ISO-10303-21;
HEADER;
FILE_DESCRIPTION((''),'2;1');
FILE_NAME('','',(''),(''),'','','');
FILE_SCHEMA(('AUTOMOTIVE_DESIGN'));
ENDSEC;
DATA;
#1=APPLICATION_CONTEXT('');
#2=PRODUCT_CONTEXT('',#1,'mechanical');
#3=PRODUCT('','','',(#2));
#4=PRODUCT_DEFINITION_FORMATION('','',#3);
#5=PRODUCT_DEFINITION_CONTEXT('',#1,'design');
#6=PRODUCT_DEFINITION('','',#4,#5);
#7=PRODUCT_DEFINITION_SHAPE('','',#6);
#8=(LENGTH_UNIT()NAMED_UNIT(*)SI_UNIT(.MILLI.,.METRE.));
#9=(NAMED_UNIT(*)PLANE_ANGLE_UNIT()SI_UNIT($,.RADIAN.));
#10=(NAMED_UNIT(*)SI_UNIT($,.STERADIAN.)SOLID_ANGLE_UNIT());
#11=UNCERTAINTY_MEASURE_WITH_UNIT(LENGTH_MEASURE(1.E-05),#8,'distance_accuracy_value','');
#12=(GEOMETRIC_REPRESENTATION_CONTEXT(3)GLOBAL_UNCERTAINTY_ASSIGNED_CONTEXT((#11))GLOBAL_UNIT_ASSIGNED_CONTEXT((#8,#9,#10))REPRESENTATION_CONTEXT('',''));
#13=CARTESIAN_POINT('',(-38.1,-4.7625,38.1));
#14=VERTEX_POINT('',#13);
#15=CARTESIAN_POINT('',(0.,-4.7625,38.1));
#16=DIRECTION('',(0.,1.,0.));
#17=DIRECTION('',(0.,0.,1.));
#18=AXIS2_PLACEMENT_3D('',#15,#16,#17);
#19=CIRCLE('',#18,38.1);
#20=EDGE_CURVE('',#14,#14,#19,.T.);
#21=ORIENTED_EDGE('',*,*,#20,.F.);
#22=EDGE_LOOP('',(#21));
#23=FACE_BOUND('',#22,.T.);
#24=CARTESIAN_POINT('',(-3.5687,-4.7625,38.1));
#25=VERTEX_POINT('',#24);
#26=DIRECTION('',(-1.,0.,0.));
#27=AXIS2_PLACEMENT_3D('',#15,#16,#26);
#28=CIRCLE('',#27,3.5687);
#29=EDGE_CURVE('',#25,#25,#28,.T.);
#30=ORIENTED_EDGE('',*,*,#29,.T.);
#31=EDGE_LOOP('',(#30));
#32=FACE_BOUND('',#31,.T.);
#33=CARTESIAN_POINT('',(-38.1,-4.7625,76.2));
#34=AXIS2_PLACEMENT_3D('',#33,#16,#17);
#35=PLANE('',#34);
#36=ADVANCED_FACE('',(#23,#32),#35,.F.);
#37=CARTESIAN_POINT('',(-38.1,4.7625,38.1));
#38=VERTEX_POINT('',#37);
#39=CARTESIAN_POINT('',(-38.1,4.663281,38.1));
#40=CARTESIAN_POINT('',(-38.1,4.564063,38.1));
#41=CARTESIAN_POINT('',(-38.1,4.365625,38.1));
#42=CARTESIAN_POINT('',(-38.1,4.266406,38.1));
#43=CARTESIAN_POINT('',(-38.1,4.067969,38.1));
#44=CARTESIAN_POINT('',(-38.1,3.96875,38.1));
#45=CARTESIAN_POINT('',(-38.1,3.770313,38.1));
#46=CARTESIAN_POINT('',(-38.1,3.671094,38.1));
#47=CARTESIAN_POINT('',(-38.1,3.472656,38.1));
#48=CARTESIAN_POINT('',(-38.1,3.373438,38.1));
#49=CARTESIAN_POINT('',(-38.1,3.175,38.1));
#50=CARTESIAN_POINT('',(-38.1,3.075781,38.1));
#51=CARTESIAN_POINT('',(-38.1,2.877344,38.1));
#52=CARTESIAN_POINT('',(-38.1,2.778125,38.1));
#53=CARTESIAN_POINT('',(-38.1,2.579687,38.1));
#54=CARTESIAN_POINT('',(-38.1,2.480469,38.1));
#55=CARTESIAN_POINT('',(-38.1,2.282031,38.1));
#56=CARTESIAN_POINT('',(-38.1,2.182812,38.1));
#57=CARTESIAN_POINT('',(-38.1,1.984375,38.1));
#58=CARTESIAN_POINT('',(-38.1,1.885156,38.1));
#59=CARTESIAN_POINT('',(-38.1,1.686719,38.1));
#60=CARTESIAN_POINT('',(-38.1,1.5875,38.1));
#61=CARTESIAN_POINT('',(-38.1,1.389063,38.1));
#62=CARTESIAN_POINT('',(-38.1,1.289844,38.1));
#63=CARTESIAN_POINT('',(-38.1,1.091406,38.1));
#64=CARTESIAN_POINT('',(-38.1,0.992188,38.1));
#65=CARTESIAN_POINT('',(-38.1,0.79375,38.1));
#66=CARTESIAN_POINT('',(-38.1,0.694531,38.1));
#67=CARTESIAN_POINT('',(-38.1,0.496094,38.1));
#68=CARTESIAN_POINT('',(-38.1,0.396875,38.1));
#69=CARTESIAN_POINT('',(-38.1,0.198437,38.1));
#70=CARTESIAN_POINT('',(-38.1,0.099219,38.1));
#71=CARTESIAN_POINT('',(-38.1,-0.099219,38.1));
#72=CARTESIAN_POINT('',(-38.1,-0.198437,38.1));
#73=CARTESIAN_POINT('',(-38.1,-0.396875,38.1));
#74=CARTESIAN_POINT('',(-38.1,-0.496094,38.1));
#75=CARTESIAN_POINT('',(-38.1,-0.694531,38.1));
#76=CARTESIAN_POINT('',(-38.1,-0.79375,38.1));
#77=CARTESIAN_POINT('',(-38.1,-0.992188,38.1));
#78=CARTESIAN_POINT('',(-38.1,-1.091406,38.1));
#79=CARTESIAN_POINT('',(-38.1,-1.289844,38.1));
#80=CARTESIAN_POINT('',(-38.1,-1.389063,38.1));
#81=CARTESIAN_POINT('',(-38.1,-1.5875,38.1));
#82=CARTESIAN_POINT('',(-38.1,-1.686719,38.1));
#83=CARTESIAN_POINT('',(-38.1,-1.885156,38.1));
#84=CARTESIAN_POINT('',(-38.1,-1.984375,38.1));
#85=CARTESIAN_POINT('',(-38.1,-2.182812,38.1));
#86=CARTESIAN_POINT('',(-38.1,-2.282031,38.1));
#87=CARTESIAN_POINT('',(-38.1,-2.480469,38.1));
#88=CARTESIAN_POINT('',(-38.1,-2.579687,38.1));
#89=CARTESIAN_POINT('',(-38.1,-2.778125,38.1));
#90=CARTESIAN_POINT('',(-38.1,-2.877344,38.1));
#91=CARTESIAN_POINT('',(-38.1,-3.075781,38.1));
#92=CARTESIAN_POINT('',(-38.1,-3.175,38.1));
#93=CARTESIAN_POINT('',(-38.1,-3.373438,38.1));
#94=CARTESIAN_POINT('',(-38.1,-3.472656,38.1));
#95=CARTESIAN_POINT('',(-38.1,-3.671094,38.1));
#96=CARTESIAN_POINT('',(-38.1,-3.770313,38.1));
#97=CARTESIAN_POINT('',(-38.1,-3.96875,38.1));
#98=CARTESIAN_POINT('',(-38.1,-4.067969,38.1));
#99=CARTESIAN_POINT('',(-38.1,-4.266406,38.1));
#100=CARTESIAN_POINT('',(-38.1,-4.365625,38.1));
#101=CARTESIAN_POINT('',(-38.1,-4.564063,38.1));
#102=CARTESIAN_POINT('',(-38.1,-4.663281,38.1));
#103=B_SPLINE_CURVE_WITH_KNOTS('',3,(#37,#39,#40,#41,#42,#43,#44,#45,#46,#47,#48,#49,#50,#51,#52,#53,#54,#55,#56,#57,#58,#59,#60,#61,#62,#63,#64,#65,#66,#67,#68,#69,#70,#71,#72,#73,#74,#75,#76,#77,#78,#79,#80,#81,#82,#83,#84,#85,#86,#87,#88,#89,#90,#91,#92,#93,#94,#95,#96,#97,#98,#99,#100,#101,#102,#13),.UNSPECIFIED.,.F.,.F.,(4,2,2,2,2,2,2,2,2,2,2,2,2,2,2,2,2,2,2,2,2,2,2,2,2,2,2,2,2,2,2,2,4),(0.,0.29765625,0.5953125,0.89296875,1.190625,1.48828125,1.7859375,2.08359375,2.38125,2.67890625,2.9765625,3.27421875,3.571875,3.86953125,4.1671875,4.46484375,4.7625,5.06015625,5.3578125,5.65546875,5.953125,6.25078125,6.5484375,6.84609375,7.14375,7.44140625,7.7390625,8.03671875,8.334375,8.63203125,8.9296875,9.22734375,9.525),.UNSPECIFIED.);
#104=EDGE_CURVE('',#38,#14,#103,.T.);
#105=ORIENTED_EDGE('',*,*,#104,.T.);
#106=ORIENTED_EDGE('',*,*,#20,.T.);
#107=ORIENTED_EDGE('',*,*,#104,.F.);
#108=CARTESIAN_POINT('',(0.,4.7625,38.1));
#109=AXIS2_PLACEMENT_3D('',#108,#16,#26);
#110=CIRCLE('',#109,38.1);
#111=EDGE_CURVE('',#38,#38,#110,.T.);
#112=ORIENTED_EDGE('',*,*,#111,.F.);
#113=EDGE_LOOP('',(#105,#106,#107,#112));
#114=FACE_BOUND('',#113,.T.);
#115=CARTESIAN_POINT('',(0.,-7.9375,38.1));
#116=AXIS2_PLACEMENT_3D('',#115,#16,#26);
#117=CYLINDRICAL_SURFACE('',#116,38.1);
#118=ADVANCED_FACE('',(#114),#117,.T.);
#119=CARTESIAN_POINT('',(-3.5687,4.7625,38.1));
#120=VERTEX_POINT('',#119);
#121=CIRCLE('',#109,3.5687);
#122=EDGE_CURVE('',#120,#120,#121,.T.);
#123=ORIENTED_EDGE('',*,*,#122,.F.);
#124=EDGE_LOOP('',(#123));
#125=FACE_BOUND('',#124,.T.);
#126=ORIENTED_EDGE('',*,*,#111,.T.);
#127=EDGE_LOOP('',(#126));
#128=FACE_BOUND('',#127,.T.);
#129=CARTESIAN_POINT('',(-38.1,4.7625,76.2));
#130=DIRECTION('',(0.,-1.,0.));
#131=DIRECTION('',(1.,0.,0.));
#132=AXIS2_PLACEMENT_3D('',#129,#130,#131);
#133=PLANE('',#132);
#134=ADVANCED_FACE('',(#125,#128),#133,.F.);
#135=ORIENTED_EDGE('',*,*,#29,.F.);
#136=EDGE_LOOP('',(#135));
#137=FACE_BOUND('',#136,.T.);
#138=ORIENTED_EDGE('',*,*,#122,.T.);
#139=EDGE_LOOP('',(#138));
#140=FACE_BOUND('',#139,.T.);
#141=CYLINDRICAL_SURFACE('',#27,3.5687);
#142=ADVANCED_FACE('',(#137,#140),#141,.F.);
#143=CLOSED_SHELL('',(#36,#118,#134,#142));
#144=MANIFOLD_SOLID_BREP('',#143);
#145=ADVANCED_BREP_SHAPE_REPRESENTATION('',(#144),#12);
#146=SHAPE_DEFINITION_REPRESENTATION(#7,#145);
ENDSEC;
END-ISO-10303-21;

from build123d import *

# Parameters (mm, degrees)
SKETCH3_W           = 76.2
SKETCH3_H           = 9.525
BOSS_EXTRUDE1_DEPTH = 76.2
SKETCH4_R           = 3.5687
CUT_EXTRUDE2_DEPTH  = 86.725
CUT_EXTRUDE4_DEPTH  = 12.7
CUT_EXTRUDE6_DEPTH  = 12.7
CUT_EXTRUDE9_DEPTH  = 12.7
CUT_EXTRUDE10_DEPTH = 12.7


with BuildPart() as part:
    # Sketch3 → Boss-Extrude1 (new body)
    with BuildSketch(Plane.XY):
        Rectangle(SKETCH3_W, SKETCH3_H)
    extrude(amount=BOSS_EXTRUDE1_DEPTH)

    # Sketch4 → Cut-Extrude2 (cut, through all)
    with BuildSketch(Plane(origin=(0, 4.7625, 0), x_dir=(1, 0, 0), z_dir=(0, 1, 0))):
        with Locations(Location((0, -38.1, 0), (0, 0, 180))):
            Circle(SKETCH4_R)
    extrude(amount=-CUT_EXTRUDE2_DEPTH, mode=Mode.SUBTRACT)

    # Sketch5 → Cut-Extrude4 (cut)
    with BuildSketch(Plane(origin=(0, 4.7625, 0), x_dir=(1, 0, 0), z_dir=(0, 1, 0))):
        with BuildLine():
            Line((-38.1, -38.1), (-38.1, 0))
            Line((-38.1, 0), (0, 0))
            ThreePointArc((0, 0), (-26.940768363, -11.159231637), (-38.1, -38.1))
        make_face()
    extrude(amount=-CUT_EXTRUDE4_DEPTH, mode=Mode.SUBTRACT)

    # Sketch7 → Cut-Extrude6 (cut)
    with BuildSketch(Plane(origin=(0, 4.7625, 0), x_dir=(1, 0, 0), z_dir=(0, 1, 0))):
        with BuildLine():
            Line((0, 0), (38.1, 0))
            Line((38.1, 0), (38.1, -38.1))
            ThreePointArc((38.1, -38.1), (26.940768363, -11.159231637), (0, 0))
        make_face()
    extrude(amount=-CUT_EXTRUDE6_DEPTH, mode=Mode.SUBTRACT)

    # Sketch8 → Cut-Extrude9 (cut)
    with BuildSketch(Plane(origin=(0, 4.7625, 0), x_dir=(1, 0, 0), z_dir=(0, 1, 0))):
        with BuildLine():
            Line((38.1, -76.2), (38.1, -38.1))
            ThreePointArc((38.1, -38.1), (26.940768363, -65.040768363), (0, -76.2))
            Line((0, -76.2), (38.1, -76.2))
        make_face()
    extrude(amount=-CUT_EXTRUDE9_DEPTH, mode=Mode.SUBTRACT)

    # Sketch9 → Cut-Extrude10 (cut)
    with BuildSketch(Plane(origin=(0, 4.7625, 0), x_dir=(1, 0, 0), z_dir=(0, 1, 0))):
        with BuildLine():
            Line((0, -76.2), (-38.1, -76.2))
            Line((-38.1, -76.2), (-38.1, -38.1))
            ThreePointArc((-38.1, -38.1), (-26.940768363, -65.040768363), (0, -76.2))
        make_face()
    extrude(amount=-CUT_EXTRUDE10_DEPTH, mode=Mode.SUBTRACT)


solid = part.part
